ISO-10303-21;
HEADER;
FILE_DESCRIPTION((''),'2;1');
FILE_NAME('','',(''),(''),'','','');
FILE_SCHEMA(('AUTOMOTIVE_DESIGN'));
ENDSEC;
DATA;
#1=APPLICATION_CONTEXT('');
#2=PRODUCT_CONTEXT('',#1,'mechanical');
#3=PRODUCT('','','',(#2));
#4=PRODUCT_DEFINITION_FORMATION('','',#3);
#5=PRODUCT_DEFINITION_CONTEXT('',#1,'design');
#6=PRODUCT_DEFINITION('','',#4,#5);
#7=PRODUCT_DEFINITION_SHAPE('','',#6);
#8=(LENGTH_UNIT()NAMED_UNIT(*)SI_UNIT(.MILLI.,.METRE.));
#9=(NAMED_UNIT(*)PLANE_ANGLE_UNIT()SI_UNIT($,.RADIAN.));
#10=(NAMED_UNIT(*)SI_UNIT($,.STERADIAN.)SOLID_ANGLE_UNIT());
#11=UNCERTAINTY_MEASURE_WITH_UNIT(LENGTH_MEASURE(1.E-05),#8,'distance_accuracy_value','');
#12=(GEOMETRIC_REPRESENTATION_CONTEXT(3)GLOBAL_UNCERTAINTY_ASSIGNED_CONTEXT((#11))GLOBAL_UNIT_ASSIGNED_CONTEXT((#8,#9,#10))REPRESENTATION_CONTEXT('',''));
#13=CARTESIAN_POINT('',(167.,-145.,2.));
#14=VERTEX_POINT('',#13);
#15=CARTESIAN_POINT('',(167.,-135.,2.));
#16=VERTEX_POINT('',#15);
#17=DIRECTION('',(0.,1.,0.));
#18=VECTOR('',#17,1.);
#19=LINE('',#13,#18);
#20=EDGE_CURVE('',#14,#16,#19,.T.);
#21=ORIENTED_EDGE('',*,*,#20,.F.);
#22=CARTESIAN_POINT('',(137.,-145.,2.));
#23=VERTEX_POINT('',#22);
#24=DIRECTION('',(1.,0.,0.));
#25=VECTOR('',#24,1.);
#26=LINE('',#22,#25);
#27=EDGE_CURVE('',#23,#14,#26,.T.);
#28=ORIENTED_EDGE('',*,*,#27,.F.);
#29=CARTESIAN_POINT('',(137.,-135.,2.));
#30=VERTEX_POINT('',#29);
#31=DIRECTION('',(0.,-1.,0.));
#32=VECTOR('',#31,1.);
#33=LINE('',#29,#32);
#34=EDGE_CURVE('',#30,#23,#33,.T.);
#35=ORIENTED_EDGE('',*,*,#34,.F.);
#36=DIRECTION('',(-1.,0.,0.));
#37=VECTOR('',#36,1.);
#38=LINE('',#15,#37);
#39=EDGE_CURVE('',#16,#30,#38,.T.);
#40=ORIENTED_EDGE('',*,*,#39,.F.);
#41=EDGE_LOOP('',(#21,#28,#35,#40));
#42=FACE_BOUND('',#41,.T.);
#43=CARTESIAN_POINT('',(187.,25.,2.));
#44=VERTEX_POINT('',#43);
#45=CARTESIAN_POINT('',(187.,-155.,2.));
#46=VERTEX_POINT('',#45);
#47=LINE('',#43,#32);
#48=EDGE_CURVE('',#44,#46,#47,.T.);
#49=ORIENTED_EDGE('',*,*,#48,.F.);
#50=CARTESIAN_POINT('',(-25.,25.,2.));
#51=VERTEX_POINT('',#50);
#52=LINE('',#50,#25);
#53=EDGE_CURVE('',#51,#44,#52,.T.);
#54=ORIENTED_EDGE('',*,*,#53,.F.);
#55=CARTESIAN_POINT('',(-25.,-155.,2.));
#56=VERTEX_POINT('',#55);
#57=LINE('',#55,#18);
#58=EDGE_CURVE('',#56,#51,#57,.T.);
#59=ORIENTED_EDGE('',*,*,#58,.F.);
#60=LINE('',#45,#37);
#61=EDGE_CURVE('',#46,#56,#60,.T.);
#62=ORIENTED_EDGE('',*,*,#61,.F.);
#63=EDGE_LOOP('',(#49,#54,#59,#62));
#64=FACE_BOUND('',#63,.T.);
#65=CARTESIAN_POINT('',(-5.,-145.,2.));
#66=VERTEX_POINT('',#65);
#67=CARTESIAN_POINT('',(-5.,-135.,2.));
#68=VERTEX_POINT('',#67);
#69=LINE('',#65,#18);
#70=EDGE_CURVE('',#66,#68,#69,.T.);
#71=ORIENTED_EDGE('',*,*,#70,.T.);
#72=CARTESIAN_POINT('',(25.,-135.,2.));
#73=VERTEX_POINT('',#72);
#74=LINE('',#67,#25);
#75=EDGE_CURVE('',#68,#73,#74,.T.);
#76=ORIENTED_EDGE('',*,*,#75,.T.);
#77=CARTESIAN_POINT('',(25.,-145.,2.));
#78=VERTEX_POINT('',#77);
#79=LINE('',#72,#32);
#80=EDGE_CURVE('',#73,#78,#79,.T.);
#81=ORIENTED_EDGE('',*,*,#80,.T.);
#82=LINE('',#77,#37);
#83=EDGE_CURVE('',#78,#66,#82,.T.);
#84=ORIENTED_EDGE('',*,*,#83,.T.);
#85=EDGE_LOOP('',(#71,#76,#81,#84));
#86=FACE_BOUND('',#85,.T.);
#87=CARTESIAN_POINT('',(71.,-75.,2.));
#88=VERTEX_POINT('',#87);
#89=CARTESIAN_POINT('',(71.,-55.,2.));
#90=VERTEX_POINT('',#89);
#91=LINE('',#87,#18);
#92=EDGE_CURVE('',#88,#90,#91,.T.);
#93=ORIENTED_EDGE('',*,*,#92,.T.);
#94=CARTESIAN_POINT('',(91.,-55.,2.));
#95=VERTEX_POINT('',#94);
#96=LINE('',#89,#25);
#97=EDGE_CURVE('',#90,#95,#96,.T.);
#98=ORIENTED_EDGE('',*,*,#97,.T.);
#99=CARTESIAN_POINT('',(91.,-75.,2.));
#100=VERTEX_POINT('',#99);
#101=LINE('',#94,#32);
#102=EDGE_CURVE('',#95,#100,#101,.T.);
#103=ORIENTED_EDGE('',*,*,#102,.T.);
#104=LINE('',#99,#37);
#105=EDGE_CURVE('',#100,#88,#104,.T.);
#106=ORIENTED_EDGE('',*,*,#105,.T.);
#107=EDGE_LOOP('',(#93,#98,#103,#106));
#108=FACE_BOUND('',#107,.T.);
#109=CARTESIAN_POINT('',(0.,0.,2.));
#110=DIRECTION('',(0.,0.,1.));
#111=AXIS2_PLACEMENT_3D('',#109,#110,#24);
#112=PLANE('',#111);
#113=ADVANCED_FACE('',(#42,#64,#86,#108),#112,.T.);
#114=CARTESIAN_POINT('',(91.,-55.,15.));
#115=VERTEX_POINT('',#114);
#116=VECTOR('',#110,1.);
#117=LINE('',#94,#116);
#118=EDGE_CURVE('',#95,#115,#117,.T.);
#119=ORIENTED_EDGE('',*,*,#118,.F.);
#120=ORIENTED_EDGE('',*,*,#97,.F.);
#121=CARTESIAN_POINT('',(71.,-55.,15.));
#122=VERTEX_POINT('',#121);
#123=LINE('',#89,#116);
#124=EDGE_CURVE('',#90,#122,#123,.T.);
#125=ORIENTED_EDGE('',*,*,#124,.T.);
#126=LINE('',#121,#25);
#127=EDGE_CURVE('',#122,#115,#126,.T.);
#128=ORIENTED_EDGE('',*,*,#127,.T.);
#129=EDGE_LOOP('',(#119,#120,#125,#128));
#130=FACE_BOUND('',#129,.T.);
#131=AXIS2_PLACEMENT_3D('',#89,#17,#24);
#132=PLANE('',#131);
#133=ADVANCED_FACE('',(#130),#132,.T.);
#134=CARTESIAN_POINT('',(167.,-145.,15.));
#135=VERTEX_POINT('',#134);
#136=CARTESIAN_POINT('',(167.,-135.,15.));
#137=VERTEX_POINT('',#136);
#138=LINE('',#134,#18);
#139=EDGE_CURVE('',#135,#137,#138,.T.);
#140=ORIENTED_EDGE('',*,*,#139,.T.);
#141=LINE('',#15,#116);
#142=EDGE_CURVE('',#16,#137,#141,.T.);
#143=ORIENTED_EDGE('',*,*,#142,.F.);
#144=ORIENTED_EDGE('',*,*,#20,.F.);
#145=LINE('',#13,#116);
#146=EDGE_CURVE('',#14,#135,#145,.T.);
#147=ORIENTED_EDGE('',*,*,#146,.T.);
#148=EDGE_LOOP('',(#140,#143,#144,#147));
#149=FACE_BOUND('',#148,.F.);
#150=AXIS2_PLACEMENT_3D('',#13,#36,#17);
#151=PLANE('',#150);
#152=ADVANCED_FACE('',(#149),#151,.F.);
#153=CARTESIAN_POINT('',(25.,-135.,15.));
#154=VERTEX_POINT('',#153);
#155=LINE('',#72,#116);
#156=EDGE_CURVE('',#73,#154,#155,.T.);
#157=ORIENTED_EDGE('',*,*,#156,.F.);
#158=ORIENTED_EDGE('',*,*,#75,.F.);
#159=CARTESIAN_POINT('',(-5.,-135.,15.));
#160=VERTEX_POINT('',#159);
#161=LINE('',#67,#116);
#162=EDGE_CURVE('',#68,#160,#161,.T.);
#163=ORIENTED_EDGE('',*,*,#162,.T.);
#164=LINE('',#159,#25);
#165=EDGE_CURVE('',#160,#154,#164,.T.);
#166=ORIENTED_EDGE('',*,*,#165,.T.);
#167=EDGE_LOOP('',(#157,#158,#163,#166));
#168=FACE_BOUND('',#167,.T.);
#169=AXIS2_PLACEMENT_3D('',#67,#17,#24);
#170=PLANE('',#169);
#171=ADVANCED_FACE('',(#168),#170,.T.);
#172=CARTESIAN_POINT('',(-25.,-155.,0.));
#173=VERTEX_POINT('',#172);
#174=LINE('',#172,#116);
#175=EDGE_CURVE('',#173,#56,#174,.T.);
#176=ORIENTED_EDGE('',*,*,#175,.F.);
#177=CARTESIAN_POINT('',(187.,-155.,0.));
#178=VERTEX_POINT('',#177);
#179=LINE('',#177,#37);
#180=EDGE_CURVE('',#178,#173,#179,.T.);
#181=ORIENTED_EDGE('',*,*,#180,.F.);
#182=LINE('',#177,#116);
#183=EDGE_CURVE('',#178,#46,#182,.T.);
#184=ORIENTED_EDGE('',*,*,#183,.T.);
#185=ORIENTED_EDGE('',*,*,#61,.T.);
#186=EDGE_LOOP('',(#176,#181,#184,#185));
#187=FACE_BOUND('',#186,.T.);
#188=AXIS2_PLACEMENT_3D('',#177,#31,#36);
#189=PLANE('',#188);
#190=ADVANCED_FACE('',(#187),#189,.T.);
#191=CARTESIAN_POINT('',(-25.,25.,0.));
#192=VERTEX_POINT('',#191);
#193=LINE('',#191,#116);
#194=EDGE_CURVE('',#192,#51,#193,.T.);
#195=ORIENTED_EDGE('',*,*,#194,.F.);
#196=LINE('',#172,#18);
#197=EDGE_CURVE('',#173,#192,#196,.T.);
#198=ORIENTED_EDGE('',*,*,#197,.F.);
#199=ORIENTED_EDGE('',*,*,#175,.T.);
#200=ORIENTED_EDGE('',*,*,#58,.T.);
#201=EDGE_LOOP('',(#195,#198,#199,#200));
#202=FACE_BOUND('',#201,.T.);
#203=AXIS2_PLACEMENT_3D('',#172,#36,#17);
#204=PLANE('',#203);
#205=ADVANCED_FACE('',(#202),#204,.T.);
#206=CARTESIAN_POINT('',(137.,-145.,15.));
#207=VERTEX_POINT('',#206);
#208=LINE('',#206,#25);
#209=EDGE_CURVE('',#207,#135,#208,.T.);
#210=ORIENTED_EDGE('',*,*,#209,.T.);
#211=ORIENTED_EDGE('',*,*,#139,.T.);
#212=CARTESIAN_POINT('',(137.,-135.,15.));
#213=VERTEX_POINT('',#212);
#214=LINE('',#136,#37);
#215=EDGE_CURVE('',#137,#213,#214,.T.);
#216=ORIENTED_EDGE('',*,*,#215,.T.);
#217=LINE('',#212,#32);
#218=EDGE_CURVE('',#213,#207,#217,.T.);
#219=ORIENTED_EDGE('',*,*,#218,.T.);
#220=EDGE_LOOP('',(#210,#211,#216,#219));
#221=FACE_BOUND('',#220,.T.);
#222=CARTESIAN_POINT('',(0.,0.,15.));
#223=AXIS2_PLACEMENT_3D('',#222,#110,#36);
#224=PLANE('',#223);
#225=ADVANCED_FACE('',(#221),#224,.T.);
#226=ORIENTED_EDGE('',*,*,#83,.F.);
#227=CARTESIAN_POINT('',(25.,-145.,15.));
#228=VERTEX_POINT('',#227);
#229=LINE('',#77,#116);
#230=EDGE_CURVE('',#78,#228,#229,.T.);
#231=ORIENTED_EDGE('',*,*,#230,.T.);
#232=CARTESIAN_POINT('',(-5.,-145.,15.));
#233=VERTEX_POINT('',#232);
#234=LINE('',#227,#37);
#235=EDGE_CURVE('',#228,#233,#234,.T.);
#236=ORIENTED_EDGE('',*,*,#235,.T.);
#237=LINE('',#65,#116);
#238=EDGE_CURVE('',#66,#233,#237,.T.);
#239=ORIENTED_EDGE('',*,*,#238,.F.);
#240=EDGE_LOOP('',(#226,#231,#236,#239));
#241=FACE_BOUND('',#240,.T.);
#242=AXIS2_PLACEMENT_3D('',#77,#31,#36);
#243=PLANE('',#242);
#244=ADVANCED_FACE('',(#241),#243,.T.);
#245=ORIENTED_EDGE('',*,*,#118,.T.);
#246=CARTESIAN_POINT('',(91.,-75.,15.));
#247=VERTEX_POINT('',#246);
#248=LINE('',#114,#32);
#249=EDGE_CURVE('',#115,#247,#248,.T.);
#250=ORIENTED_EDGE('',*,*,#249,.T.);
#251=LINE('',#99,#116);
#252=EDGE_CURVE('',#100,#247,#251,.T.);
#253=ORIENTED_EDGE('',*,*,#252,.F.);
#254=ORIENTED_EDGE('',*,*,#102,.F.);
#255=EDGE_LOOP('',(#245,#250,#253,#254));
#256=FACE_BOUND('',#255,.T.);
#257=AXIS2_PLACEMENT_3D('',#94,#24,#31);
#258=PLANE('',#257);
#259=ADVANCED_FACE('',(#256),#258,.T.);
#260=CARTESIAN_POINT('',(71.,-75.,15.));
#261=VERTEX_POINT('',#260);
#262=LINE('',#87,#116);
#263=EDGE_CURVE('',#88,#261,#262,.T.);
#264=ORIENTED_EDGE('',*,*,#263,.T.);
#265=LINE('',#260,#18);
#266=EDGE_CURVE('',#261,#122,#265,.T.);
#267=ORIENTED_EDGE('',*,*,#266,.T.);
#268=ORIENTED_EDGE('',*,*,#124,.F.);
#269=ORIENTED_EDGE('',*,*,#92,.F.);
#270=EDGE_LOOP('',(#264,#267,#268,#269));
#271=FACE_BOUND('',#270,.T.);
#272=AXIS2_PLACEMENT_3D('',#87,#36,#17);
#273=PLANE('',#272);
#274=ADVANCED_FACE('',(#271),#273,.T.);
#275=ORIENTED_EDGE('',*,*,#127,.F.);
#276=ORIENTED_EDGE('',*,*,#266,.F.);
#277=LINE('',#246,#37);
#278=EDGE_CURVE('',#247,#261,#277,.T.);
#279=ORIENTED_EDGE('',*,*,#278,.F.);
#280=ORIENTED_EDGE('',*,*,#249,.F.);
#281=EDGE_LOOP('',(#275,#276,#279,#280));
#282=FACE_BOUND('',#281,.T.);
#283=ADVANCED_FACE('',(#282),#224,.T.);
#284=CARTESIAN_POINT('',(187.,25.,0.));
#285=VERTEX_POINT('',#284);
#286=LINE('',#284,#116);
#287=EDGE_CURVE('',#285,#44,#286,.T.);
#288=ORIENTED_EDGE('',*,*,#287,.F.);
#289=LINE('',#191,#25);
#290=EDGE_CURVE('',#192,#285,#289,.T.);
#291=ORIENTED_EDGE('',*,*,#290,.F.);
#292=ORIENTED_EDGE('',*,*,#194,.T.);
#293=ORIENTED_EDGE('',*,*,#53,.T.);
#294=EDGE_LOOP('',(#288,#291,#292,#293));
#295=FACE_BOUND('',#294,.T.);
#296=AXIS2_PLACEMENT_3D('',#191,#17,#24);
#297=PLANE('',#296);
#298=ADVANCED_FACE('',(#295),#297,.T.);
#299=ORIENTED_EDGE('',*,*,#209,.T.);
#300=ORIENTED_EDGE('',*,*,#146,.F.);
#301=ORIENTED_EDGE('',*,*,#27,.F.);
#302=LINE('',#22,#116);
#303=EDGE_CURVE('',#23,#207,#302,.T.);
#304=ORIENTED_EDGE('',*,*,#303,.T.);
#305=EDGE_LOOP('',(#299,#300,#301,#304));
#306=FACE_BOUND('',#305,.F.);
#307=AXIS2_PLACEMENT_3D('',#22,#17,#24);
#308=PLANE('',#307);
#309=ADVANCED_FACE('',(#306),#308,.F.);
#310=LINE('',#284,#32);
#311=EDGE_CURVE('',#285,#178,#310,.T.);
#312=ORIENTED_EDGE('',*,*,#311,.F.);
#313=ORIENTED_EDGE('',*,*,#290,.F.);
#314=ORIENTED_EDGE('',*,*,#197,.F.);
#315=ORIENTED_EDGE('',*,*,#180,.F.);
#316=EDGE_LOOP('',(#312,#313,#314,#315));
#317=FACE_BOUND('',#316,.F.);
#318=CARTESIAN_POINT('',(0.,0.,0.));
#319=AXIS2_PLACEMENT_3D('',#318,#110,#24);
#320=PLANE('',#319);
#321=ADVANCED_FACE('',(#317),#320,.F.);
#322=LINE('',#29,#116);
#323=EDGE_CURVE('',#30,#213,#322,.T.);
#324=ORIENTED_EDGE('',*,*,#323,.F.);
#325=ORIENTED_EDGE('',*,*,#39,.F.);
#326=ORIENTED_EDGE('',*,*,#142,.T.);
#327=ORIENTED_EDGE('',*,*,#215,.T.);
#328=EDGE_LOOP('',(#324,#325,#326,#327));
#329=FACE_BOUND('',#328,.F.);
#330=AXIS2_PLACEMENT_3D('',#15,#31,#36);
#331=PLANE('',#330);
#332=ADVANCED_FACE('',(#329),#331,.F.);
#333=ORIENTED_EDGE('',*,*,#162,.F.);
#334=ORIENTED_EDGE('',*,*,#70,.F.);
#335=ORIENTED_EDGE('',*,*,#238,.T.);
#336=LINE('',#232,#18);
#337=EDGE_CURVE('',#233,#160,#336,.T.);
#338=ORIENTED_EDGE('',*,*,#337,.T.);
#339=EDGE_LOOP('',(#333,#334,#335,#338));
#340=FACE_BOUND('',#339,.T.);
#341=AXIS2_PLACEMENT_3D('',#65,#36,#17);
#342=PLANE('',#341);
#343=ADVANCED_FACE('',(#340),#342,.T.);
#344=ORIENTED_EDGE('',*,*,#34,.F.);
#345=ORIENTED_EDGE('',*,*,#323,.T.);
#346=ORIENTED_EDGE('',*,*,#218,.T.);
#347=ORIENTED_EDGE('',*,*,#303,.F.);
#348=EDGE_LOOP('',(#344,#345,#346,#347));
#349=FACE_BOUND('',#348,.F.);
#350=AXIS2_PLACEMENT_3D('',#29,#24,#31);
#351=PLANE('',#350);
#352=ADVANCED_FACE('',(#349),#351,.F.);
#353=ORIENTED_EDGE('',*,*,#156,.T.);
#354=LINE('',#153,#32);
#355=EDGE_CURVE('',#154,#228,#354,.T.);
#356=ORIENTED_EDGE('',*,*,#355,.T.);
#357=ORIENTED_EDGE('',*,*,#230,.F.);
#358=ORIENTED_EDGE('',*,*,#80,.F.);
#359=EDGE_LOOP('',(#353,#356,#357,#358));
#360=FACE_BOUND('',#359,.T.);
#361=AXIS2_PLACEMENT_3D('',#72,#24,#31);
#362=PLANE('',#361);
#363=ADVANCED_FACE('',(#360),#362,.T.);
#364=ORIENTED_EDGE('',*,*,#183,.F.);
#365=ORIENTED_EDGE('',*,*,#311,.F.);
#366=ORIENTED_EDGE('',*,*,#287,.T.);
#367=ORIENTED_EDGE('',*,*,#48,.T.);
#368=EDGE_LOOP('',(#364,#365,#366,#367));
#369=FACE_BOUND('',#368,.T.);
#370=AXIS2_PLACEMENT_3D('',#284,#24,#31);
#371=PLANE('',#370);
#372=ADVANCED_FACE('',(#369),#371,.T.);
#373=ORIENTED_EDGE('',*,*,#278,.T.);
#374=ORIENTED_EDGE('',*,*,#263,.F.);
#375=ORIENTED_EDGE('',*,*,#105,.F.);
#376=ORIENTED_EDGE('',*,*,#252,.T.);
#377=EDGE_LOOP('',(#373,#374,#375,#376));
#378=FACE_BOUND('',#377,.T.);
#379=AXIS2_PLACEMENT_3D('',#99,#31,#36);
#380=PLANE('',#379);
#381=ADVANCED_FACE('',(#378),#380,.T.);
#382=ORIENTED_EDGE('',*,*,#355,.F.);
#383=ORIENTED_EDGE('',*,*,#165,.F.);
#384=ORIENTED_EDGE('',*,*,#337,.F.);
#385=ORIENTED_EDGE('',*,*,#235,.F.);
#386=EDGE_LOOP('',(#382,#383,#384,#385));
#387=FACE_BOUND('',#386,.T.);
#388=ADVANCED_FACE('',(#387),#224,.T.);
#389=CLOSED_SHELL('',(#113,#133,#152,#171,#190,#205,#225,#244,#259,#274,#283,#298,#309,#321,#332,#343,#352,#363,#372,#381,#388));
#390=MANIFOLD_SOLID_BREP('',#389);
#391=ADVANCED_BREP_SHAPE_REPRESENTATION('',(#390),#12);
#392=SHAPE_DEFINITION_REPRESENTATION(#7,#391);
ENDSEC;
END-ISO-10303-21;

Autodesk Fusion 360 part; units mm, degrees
sketch "Sketch1" plane through (0, 0, 0) normal (0, 0, 1) x (1, 0, 0)
  line L0 (-25, 25) -> (187, 25)
  line L1 (187, 25) -> (187, -155)
  line L2 (187, -155) -> (-25, -155)
  line L3 (-25, -155) -> (-25, 25)
  dimension "d1" = 212
  dimension "d2" = 180
extrude "Extrude1" add sketch "Sketch1" along normal blind 2
sketch "Sketch2" plane through (0, 0, 2) normal (0, 0, 1) x (-1, 0, 0)
  line L0 (25, 155) -> (-187, 155)
  line L1 (-187, 155) -> (-187, -25)
  line L2 (-187, -25) -> (25, -25)
  line L3 (25, -25) -> (25, 155)
  line L4 (25, -25) -> (-187, 155) construction
  line L5 (25, 155) -> (-187, -25) construction
  line L6 (25, 65) -> (-81, 65) construction
  line L7 (-187, 65) -> (-81, 65) construction
  line L8 (-81, 65) -> (-81, -25) construction
  line L9 (-81, 65) -> (-81, 155) construction
  line L10 (25, 155) -> (5, 155) construction
  line L11 (5, 155) -> (5, 135) construction
  line L12 (5, 135) -> (25, 135) construction
  line L13 (25, 135) -> (25, 155) construction
  line L14 (-187, 155) -> (-167, 155) construction
  line L15 (-167, 145) -> (-167, 135)
  line L16 (-167, 135) -> (-187, 135) construction
  line L17 (-187, 135) -> (-187, 155) construction
  line L18 (-187, -25) -> (-167, -25) construction
  line L19 (-167, -25) -> (-167, -5) construction
  line L20 (-167, -5) -> (-187, -5) construction
  line L21 (-187, -5) -> (-187, -25) construction
  line L22 (25, -25) -> (5, -25) construction
  line L23 (5, -25) -> (5, -5) construction
  line L24 (5, -5) -> (25, -5) construction
  line L25 (25, -5) -> (25, -25) construction
  line L26 (-167, 135) -> (-137, 135)
  line L27 (-137, 135) -> (-137, 145)
  line L28 (-137, 145) -> (-167, 145)
  line L29 (-167, 145) -> (-167, 135) construction
  line L30 (5, 135) -> (-25, 135)
  line L31 (-25, 135) -> (-25, 145)
  line L32 (-25, 145) -> (5, 145)
  line L33 (5, 145) -> (5, 135)
  line L34 (-167, 155) -> (-167, 145) construction
  line L35 (-71, 55) -> (-91, 55)
  line L36 (-91, 55) -> (-91, 75)
  line L37 (-91, 75) -> (-71, 75)
  line L38 (-71, 75) -> (-71, 55)
  line L39 (-71, 55) -> (-91, 75) construction
  line L40 (-91, 55) -> (-71, 75) construction
  point P0 (-81, 65)
  dimension "d5" = 20
  dimension "d6" = 20
  dimension "d7" = 20
  dimension "d8" = 20
  dimension "d9" = 20
  dimension "d10" = 20
  dimension "d11" = 20
  dimension "d12" = 20
  dimension "d13" = 30
  dimension "d14" = 10
  dimension "d15" = 30
  dimension "d16" = 10
  dimension "d17" = 20
  dimension "d18" = 20
extrude "Extrude2" add sketch "Sketch2" along normal blind 13 contours L15 L26 L27 L28 | L30 L31 L32 L33 | L35 L36 L37 L38
